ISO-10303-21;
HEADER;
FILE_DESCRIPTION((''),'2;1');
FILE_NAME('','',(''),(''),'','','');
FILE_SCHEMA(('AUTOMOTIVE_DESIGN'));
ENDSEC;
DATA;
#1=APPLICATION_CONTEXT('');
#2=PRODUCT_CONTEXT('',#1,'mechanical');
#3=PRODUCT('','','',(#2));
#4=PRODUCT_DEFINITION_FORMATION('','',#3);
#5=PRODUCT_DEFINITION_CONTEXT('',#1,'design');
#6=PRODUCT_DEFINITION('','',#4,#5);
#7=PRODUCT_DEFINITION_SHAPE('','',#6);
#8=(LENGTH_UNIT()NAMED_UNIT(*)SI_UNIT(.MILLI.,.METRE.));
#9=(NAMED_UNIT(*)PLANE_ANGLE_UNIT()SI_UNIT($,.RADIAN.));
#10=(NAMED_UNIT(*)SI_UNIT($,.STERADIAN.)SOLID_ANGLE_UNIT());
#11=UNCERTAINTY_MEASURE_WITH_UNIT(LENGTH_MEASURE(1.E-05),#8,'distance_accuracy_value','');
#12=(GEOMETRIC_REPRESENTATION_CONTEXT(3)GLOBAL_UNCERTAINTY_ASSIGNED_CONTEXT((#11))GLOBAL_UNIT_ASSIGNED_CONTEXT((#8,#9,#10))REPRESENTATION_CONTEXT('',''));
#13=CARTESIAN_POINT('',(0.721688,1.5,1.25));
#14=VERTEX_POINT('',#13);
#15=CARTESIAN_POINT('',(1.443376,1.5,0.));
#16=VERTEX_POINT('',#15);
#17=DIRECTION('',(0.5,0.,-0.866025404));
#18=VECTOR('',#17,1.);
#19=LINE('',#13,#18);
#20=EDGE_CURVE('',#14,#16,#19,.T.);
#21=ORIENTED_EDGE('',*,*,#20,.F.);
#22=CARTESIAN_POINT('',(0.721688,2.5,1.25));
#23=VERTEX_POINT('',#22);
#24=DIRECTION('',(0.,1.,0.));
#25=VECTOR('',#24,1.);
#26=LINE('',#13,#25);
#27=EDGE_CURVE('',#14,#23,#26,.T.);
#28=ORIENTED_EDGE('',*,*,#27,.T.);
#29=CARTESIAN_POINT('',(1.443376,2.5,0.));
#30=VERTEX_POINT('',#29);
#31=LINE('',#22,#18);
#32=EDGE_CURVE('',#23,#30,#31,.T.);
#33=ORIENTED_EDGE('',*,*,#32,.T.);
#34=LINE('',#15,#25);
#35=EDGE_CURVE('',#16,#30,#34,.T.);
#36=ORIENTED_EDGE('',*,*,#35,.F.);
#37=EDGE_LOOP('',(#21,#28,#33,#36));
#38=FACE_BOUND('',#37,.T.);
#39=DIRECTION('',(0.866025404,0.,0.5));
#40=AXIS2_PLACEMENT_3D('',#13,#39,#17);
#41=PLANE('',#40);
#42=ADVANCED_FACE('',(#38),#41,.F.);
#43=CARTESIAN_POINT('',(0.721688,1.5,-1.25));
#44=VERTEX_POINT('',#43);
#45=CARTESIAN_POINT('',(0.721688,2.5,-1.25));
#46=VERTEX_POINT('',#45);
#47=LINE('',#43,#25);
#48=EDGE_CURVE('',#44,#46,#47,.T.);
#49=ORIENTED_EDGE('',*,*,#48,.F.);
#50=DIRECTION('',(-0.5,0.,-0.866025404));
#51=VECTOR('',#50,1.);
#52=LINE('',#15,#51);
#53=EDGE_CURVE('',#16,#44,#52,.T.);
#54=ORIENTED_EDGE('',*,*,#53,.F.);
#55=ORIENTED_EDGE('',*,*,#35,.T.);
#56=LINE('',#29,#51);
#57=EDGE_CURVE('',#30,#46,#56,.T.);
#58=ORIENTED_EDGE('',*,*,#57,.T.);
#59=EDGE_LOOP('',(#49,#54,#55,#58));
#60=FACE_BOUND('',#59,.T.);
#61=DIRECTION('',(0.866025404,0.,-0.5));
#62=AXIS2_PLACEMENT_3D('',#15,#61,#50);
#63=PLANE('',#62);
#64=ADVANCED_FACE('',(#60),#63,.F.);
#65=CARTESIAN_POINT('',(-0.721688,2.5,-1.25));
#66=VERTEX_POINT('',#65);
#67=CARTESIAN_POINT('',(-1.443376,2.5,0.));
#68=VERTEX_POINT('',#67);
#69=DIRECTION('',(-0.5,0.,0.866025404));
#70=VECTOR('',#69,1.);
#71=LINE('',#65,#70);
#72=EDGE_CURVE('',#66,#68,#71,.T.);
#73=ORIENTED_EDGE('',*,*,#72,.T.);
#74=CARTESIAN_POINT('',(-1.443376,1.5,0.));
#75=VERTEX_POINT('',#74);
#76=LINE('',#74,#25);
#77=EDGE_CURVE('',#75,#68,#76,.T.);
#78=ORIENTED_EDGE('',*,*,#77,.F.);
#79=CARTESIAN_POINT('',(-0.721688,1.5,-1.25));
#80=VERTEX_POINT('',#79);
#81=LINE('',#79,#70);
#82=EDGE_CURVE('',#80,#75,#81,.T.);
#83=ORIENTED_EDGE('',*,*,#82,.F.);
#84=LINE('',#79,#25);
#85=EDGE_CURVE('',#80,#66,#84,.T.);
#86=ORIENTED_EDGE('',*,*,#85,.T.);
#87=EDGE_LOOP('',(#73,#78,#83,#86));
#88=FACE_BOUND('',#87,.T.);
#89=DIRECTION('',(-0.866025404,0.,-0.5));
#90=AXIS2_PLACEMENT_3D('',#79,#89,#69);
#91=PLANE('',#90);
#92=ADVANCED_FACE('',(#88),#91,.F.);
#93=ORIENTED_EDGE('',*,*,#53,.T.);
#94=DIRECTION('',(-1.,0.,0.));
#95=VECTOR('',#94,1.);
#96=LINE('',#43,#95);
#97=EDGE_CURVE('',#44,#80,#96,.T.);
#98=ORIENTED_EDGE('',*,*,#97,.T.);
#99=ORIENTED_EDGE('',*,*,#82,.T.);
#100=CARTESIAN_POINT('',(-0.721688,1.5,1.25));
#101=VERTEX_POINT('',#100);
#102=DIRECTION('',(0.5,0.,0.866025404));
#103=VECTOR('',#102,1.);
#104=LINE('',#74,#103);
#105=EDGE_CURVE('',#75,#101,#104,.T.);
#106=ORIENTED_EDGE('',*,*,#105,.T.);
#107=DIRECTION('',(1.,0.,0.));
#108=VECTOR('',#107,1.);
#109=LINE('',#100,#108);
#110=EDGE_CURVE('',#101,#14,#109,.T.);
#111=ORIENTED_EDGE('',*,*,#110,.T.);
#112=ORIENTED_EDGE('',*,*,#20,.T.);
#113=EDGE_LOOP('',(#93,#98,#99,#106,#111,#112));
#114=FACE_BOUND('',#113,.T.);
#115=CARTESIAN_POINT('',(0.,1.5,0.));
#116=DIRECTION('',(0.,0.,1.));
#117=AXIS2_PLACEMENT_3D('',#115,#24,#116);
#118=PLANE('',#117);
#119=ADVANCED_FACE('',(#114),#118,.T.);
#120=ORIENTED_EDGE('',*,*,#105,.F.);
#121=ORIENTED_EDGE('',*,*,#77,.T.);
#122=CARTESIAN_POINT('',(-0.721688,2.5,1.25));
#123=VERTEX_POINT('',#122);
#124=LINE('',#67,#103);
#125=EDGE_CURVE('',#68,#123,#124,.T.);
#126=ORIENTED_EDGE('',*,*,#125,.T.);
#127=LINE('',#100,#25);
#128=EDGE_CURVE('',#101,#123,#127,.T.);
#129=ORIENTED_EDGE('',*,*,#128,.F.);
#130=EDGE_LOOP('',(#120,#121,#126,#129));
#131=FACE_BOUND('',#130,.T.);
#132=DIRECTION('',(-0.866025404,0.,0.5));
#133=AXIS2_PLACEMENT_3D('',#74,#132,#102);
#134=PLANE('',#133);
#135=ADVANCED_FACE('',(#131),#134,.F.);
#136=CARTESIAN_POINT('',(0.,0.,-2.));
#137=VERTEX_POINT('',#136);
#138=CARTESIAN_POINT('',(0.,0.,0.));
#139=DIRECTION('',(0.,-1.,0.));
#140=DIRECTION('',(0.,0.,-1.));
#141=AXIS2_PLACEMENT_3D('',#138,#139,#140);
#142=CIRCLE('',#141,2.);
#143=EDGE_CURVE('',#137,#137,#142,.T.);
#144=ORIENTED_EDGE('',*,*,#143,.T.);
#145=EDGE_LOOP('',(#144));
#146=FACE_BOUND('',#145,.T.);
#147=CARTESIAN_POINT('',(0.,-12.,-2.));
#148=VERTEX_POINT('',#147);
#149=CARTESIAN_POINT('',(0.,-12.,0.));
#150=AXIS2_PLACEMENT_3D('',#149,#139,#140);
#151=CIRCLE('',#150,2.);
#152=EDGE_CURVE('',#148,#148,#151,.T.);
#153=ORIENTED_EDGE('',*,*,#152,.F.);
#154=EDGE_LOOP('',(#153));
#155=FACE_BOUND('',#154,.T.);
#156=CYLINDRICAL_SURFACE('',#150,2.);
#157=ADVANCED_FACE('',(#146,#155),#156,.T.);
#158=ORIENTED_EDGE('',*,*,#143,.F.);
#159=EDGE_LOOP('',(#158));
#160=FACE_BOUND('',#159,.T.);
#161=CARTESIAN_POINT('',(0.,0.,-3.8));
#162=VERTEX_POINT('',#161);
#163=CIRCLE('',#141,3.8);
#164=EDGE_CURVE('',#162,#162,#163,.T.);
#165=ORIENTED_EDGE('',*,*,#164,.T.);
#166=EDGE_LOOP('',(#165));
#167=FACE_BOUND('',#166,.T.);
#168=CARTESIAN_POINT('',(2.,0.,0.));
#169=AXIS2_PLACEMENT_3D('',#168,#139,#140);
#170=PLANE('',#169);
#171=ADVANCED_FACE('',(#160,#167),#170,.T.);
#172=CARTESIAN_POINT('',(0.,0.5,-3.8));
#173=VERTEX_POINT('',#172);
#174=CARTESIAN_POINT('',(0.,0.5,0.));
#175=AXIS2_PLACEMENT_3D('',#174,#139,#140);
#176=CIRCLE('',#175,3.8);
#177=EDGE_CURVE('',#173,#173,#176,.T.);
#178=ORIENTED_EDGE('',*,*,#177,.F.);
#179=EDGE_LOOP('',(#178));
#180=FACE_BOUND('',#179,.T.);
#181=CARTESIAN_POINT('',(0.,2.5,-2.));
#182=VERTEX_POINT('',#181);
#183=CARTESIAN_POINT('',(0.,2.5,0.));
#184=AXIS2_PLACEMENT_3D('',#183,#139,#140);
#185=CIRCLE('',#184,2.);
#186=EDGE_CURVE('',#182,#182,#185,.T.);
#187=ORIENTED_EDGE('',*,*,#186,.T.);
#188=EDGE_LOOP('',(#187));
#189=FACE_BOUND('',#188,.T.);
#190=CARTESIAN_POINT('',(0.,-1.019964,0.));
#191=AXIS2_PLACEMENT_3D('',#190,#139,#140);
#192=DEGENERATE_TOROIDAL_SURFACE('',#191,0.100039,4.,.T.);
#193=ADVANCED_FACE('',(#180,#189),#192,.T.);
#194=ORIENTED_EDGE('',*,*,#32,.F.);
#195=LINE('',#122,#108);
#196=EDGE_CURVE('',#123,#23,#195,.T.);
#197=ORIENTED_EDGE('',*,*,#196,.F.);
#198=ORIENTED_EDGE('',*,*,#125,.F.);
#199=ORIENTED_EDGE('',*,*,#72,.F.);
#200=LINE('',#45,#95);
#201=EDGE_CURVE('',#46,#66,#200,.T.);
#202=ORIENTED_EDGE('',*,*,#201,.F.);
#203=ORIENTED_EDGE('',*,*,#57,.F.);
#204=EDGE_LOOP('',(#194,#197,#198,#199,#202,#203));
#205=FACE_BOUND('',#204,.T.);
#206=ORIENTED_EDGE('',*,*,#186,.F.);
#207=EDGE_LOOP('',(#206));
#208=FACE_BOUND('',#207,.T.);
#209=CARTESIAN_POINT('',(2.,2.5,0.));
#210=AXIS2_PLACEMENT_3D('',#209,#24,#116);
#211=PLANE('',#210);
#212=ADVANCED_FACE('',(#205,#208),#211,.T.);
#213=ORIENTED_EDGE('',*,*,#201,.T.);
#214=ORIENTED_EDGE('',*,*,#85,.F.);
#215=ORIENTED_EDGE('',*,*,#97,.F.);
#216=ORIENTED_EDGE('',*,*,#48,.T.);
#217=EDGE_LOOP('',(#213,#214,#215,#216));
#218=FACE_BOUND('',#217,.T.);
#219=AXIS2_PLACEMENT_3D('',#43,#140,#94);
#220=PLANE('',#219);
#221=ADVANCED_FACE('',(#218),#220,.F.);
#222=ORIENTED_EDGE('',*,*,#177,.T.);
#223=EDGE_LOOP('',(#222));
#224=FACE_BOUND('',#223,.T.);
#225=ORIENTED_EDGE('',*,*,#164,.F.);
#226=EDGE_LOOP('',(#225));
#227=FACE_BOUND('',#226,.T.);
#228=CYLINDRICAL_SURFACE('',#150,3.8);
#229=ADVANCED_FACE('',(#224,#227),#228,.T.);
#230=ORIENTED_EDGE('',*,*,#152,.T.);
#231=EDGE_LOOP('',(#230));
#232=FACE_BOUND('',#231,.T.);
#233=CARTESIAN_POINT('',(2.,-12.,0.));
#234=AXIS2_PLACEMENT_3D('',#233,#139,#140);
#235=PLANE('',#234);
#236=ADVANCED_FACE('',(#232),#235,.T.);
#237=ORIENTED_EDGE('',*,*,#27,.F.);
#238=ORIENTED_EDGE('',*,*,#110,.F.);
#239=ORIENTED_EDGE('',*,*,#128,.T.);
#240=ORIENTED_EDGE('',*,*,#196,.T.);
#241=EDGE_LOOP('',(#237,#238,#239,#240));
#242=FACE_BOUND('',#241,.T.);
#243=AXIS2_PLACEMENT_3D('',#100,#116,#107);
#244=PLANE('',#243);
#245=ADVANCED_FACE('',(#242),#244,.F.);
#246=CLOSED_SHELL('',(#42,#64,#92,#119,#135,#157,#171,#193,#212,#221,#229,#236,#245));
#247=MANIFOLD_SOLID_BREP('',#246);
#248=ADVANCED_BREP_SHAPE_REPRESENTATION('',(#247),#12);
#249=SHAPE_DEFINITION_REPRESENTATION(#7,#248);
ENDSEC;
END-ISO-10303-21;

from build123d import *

# Parameters (mm, degrees)
CUT_EXTRUDE1_DEPTH = 1


with BuildPart() as part:
    # Sketch1 → Revolve1 (revolve)
    with BuildSketch(Plane.XY):
        with BuildLine():
            Line((2, 0), (3.8, 0))
            Line((3.8, 0), (3.8, 0.5))
            ThreePointArc((3.8, 0.5), (3.073216049, 1.655894444), (2, 2.5))
            Line((2, 2.5), (0, 2.5))
            Line((0, 2.5), (0, -12))
            Line((0, -12), (2, -12))
            Line((2, -12), (2, 0))
        make_face()
    revolve(axis=Axis((0, -12, 0), (0, 1, 0)))

    # Sketch2 → Cut-Extrude1 (cut)
    with BuildSketch(Plane(origin=(0, 2.5, 0), x_dir=(1, 0, 0), z_dir=(0, 1, 0))):
        Polygon((0.721687836, 1.25), (-0.721687836, 1.25), (-1.443375673, 0), (-0.721687836, -1.25), (0.721687836, -1.25), (1.443375673, 0), align=None)
    extrude(amount=-CUT_EXTRUDE1_DEPTH, mode=Mode.SUBTRACT)


solid = part.part
